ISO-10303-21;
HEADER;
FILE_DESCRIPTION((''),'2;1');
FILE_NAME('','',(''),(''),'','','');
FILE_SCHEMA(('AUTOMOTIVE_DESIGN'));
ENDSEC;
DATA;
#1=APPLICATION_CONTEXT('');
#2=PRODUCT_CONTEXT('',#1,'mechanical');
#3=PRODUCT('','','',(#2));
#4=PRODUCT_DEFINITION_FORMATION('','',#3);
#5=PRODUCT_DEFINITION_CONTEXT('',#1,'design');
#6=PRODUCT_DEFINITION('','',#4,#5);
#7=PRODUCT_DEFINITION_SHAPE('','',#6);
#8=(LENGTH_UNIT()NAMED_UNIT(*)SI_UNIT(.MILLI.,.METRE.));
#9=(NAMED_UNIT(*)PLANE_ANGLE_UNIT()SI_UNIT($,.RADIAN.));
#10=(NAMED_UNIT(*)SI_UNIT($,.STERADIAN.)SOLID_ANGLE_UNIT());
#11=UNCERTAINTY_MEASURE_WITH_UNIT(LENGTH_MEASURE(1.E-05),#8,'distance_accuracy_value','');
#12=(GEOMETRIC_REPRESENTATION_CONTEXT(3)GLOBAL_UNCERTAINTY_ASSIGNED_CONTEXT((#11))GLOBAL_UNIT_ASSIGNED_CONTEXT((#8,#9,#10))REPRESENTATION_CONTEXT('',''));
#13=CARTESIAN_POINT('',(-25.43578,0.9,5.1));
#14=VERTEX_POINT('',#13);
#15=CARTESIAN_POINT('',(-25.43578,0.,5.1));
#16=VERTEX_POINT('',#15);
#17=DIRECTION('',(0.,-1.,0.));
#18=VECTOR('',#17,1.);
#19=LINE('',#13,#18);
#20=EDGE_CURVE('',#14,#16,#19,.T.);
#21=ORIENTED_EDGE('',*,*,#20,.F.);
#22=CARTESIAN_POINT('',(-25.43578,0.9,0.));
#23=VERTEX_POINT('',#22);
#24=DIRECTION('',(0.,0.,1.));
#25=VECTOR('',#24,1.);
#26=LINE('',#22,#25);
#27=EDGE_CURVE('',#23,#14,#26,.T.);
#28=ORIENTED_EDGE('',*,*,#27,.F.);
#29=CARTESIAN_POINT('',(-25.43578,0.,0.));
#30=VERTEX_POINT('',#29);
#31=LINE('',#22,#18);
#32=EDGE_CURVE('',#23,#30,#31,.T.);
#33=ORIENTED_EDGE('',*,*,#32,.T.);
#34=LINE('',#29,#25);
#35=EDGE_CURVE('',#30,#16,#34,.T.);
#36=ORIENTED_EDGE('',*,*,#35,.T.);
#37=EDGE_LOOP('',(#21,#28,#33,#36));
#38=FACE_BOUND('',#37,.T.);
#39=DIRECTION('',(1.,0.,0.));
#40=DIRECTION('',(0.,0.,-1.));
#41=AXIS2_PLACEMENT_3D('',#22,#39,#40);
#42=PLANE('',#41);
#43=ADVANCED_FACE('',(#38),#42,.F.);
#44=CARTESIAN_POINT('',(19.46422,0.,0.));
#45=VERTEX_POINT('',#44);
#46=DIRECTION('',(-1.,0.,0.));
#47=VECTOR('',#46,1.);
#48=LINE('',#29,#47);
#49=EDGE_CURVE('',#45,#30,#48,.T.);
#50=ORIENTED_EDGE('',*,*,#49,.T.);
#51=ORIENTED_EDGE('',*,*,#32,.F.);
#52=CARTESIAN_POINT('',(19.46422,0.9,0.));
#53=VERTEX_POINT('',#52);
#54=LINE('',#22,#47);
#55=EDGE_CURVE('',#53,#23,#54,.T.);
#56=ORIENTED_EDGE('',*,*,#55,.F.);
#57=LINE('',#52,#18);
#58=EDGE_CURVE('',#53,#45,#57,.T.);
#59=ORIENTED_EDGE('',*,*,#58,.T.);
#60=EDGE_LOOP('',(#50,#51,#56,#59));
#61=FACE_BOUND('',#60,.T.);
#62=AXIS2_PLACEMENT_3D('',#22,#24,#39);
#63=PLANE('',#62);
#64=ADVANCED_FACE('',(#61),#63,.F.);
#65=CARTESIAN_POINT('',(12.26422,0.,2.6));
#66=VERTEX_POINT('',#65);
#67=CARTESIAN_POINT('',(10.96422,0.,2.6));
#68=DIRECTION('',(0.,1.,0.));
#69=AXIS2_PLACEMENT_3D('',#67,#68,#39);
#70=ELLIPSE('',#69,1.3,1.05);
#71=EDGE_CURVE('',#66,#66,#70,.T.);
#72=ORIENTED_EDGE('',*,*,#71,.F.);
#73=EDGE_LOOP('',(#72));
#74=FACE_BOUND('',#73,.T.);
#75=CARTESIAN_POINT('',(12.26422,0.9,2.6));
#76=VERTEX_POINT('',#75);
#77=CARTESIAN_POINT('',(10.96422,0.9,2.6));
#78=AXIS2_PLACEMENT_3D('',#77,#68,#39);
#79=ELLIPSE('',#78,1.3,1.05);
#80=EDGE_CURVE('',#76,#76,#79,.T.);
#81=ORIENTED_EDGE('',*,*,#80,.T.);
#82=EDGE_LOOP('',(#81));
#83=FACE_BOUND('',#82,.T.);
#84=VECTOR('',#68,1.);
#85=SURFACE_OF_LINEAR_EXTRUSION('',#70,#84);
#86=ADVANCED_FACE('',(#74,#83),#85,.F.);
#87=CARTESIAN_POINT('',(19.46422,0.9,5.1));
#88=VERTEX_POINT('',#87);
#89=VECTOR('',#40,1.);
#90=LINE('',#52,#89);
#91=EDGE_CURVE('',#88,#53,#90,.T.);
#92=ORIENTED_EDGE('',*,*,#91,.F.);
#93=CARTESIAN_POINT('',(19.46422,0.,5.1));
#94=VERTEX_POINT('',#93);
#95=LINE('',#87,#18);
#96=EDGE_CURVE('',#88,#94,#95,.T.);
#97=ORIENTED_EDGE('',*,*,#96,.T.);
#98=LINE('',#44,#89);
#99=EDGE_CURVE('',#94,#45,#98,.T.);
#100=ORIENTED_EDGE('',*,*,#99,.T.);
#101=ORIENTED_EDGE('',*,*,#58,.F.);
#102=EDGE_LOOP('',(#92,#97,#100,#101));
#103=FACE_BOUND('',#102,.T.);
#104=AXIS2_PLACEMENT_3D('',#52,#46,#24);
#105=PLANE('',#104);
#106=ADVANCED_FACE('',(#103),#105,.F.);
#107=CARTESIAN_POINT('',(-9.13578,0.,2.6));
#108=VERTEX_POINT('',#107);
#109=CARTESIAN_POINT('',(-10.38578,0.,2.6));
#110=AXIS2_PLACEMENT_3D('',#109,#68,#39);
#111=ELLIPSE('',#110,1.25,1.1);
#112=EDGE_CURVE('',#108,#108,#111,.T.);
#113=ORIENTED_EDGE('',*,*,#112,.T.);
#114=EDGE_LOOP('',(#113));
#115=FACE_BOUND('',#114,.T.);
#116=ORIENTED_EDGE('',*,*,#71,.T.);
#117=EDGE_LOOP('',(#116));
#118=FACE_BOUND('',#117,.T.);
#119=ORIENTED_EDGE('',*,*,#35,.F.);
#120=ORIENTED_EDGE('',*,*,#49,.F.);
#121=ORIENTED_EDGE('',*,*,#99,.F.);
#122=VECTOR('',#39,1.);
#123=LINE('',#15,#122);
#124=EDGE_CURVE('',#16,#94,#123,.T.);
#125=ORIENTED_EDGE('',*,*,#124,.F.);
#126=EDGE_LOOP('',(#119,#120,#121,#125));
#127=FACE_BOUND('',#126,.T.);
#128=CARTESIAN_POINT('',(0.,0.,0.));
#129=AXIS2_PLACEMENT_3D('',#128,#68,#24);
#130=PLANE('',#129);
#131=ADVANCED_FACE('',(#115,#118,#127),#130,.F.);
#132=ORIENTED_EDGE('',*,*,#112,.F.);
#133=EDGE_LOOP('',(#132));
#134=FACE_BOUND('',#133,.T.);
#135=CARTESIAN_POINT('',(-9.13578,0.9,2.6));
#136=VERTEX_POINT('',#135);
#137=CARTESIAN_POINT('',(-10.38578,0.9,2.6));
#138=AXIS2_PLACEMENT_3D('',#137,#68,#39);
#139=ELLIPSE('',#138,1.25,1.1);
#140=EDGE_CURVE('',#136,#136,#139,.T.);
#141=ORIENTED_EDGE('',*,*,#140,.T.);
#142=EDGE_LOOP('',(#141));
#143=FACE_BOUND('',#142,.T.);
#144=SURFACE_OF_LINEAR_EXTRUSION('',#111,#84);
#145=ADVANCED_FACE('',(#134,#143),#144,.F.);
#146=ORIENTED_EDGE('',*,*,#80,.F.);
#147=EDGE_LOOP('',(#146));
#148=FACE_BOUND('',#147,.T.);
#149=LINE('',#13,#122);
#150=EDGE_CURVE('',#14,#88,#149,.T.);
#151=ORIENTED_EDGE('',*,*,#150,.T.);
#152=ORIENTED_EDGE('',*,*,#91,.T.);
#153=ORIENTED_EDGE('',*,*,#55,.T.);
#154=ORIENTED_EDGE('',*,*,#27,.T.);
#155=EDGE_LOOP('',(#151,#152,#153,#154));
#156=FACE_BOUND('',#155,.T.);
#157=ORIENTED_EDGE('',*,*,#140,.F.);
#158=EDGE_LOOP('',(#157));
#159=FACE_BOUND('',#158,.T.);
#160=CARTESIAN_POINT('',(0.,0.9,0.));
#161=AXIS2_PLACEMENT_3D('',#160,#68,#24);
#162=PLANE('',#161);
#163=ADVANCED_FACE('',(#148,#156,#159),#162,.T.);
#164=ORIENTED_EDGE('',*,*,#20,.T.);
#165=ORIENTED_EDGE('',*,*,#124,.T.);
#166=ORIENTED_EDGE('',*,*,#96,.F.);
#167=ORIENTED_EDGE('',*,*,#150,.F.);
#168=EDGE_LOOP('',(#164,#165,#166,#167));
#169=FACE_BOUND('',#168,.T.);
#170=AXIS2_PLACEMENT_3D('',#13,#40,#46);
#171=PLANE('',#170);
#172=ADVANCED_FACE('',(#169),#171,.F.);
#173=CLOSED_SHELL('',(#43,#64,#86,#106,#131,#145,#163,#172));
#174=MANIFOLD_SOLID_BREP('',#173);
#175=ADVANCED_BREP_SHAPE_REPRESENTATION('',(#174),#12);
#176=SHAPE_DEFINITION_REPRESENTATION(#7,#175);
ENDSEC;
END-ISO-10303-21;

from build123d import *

# Parameters (mm, degrees)
SKETCH1_W           = 44.9
SKETCH1_H           = 5.1
BOSS_EXTRUDE2_DEPTH = 0.9
SKETCH3_RX          = 1.25
SKETCH3_RY          = 1.1
SKETCH3_RX_2        = 1.3
SKETCH3_RY_2        = 1.05
CUT_EXTRUDE4_DEPTH  = 0.9


with BuildPart() as part:
    # Sketch1 → Boss-Extrude2 (new body)
    with BuildSketch(Plane(origin=(0, 0, 0), x_dir=(1, 0, 0), z_dir=(0, 1, 0))):
        with Locations((-2.985779817, -2.55)):
            Rectangle(SKETCH1_W, SKETCH1_H)
    extrude(amount=BOSS_EXTRUDE2_DEPTH)

    # Sketch3 → Cut-Extrude4 (cut)
    with BuildSketch(Plane(origin=(0, 0.9, 0), x_dir=(1, 0, 0), z_dir=(0, 1, 0))):
        with Locations((-10.385779817, -2.6)):
            Ellipse(SKETCH3_RX, SKETCH3_RY)
        with Locations(Location((10.964220183, -2.6), (0, 0, 180))):
            Ellipse(SKETCH3_RX_2, SKETCH3_RY_2)
    extrude(amount=-CUT_EXTRUDE4_DEPTH, mode=Mode.SUBTRACT)


solid = part.part
